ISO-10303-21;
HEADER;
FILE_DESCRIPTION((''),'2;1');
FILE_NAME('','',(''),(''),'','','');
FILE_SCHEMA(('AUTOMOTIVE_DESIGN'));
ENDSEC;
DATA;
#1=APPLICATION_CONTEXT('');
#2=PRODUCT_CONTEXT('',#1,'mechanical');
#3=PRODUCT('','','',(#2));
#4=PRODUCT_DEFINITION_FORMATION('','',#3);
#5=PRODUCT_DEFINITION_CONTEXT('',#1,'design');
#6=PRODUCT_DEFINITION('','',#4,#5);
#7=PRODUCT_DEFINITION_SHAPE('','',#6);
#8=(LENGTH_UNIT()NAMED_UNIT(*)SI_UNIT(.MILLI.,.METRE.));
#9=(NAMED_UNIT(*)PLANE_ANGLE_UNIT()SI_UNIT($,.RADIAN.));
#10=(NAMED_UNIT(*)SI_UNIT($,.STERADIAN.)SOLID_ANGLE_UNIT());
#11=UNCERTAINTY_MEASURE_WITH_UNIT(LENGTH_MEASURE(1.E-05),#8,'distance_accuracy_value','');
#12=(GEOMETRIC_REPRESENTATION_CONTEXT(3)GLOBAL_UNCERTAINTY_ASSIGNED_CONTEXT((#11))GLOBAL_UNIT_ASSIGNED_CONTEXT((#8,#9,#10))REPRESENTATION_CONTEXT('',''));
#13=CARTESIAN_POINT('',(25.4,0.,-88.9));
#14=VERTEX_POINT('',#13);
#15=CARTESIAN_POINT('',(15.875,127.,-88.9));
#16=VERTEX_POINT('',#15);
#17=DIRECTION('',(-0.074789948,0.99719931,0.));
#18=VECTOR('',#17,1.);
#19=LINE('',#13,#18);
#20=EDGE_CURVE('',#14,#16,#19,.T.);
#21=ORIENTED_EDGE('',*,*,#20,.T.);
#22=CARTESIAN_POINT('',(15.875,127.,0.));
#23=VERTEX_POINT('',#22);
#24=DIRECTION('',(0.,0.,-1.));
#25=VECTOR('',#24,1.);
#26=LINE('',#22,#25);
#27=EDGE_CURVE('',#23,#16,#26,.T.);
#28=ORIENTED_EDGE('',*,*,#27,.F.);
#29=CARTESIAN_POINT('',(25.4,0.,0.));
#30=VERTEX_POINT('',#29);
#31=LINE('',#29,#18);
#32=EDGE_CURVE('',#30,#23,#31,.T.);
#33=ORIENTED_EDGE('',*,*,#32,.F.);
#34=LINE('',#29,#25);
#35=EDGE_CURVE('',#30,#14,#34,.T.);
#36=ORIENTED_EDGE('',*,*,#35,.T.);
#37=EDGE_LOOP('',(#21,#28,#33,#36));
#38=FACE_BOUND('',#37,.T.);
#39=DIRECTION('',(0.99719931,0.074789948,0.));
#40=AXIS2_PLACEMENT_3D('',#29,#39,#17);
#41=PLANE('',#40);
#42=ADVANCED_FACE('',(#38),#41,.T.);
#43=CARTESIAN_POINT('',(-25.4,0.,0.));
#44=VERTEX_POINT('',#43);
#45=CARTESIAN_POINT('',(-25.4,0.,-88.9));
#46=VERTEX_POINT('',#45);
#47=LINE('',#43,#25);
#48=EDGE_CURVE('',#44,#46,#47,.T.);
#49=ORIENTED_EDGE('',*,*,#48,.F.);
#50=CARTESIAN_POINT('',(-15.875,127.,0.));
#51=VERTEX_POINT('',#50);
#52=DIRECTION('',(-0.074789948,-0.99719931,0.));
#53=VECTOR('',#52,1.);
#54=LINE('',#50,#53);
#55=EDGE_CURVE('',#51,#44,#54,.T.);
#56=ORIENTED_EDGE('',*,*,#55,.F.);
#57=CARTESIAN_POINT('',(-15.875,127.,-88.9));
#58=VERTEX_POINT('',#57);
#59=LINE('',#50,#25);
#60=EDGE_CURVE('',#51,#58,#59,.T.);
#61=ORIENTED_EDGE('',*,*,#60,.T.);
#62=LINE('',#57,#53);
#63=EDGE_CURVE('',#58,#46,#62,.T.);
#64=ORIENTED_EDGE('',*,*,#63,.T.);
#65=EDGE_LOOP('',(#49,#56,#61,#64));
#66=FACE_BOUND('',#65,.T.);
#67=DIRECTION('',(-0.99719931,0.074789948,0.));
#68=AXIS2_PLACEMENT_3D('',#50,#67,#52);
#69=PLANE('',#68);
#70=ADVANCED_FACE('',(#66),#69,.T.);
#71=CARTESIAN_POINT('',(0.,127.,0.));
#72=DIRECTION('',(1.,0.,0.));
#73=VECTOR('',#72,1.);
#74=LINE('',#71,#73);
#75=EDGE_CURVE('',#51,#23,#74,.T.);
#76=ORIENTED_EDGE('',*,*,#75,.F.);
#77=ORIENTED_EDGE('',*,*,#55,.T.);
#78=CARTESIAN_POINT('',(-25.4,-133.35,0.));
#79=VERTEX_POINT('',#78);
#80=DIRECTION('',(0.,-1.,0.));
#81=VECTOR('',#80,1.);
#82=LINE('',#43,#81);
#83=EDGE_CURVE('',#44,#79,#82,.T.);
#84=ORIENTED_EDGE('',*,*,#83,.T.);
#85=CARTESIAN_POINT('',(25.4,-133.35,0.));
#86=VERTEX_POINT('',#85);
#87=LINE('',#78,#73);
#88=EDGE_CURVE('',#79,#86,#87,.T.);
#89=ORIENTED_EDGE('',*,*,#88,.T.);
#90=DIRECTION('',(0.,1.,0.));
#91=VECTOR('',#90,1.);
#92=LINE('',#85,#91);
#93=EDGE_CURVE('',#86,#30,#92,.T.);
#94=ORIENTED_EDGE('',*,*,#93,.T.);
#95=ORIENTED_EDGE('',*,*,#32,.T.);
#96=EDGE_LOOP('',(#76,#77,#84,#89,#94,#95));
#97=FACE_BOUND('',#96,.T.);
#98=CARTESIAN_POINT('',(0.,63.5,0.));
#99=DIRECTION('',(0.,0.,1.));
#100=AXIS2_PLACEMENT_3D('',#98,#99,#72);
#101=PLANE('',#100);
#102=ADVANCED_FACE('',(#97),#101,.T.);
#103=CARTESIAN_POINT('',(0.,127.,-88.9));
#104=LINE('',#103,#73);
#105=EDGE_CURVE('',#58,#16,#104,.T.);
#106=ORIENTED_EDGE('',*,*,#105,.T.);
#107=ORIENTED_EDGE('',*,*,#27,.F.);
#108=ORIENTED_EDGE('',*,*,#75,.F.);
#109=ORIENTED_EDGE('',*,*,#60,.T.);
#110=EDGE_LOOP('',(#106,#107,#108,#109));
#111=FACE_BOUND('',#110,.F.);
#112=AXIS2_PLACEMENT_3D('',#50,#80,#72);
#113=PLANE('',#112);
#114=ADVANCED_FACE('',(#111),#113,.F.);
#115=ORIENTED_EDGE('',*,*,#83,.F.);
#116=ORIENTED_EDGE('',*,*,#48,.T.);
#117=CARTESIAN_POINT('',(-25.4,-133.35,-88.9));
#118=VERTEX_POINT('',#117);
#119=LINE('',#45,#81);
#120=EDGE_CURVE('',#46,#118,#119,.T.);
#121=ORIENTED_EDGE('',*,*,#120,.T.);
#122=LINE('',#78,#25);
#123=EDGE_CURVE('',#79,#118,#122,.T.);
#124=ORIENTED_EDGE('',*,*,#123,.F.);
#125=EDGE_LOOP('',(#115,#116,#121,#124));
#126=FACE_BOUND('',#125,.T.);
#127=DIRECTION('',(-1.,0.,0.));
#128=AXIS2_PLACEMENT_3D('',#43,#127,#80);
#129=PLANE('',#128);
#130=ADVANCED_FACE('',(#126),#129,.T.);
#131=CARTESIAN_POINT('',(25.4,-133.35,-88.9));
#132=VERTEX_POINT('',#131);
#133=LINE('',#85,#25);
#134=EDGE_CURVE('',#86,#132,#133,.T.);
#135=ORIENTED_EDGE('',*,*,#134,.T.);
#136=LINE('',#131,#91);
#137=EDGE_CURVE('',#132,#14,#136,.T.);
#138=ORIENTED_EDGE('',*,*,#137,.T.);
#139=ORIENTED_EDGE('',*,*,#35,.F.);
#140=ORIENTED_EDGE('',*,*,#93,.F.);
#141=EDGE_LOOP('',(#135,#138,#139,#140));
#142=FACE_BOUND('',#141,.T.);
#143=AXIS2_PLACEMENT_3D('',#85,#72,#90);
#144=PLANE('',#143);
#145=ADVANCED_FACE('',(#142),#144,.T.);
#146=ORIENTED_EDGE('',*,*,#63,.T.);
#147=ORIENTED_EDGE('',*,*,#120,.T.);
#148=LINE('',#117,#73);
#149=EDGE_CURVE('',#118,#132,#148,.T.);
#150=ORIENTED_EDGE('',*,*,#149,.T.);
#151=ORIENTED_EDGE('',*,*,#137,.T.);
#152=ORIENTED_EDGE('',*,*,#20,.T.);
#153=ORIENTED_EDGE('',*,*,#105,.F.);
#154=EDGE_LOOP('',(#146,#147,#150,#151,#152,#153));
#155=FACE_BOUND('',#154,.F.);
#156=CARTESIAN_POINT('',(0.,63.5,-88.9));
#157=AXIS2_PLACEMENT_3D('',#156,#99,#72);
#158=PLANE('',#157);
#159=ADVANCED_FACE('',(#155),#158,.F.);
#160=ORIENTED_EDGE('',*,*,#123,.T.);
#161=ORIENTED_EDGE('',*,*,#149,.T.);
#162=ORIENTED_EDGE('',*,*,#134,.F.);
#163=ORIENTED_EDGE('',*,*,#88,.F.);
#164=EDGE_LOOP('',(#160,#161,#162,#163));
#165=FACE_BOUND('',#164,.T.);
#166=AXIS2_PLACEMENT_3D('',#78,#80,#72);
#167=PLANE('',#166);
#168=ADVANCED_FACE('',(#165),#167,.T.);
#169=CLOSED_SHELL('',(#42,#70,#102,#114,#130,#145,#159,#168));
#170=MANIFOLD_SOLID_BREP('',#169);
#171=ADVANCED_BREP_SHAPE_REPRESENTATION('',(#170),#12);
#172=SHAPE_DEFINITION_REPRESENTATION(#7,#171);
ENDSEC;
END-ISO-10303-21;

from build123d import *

# Parameters (mm, degrees)
F0_W     = 31.75
F0_H     = 127
F1_DEPTH = 88.9


with BuildPart() as f1:
    # F0 (on Top) → F1 (new body)
    with BuildSketch(Plane.XY):
        with Locations((0, 63.5)):
            Rectangle(F0_W, F0_H)
        Polygon((-15.875, 0), (-25.4, 0), (-25.4, -133.35), (25.4, -133.35), (25.4, 0), (15.875, 0), align=None)
        Polygon((15.875, 127), (15.875, 0), (25.4, 0), align=None)
        Polygon((-15.875, 127), (-25.4, 0), (-15.875, 0), align=None)
    extrude(amount=-F1_DEPTH)


solid = f1.part
